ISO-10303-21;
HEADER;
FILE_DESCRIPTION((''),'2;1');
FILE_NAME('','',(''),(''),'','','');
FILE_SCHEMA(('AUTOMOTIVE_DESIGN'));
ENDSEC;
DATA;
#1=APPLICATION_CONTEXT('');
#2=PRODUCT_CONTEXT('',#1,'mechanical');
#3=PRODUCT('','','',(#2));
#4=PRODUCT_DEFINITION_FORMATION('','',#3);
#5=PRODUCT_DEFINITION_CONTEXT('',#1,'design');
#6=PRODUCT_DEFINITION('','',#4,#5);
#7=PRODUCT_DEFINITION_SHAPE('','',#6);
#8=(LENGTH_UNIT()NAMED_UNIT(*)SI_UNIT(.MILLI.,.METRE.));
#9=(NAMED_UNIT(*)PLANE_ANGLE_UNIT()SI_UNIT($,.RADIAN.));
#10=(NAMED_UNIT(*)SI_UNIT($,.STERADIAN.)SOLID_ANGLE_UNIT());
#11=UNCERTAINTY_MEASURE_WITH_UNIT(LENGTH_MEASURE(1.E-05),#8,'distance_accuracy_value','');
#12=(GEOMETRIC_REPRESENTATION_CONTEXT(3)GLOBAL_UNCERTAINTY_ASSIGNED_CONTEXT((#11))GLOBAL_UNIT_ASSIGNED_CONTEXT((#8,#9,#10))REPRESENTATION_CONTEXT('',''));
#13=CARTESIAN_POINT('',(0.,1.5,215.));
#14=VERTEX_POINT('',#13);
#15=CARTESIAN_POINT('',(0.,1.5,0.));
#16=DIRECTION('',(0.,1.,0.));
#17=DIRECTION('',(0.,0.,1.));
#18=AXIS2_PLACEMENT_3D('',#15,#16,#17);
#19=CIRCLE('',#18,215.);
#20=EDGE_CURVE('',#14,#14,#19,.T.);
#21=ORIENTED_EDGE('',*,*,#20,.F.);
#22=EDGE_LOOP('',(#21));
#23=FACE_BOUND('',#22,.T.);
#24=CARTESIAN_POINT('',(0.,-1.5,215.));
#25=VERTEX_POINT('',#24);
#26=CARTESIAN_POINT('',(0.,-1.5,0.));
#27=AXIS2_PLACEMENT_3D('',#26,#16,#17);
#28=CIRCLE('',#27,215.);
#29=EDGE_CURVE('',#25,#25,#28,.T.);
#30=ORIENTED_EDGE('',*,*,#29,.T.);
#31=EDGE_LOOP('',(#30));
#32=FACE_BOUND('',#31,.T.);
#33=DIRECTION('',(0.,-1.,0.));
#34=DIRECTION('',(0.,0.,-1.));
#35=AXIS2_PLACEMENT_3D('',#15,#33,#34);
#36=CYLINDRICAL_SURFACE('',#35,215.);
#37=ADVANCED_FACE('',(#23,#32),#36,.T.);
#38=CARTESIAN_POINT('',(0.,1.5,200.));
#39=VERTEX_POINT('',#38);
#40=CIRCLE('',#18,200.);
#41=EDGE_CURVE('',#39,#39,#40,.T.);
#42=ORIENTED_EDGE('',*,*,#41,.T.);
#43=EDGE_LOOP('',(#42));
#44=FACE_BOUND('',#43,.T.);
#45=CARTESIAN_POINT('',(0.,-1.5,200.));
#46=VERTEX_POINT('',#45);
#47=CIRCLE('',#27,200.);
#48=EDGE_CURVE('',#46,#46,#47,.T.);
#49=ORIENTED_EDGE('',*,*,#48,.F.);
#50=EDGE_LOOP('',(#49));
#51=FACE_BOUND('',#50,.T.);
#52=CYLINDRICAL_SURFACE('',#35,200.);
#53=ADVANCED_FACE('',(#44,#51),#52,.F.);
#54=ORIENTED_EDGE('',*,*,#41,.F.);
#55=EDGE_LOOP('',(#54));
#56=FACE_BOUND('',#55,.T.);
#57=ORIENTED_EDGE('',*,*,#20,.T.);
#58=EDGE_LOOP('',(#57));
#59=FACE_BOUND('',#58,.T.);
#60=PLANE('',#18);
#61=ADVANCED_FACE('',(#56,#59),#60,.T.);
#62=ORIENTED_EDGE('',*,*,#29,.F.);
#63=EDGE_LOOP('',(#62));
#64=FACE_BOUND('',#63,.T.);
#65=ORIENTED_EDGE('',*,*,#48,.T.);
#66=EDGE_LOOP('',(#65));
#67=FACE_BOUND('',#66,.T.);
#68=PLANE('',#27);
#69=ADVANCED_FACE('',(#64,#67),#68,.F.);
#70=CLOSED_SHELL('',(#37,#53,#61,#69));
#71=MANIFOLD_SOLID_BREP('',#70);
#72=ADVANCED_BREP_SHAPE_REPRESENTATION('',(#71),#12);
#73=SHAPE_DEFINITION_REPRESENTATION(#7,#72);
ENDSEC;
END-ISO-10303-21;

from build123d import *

# Parameters (mm, degrees)
SKETCH1_R           = 215
SKETCH1_R_2         = 200
BOSS_EXTRUDE1_DEPTH = 1.5


with BuildPart() as part:
    # Sketch1 → Boss-Extrude1 (new, symmetric)
    with BuildSketch(Plane(origin=(0, 0, 0), x_dir=(1, 0, 0), z_dir=(0, 1, 0))):
        with Locations(Location((0, 0, 0), (0, 0, 270))):
            Circle(SKETCH1_R)
        with Locations(Location((0, 0, 0), (0, 0, 270))):
            Circle(SKETCH1_R_2, mode=Mode.SUBTRACT)
    extrude(amount=BOSS_EXTRUDE1_DEPTH, both=True)


solid = part.part
